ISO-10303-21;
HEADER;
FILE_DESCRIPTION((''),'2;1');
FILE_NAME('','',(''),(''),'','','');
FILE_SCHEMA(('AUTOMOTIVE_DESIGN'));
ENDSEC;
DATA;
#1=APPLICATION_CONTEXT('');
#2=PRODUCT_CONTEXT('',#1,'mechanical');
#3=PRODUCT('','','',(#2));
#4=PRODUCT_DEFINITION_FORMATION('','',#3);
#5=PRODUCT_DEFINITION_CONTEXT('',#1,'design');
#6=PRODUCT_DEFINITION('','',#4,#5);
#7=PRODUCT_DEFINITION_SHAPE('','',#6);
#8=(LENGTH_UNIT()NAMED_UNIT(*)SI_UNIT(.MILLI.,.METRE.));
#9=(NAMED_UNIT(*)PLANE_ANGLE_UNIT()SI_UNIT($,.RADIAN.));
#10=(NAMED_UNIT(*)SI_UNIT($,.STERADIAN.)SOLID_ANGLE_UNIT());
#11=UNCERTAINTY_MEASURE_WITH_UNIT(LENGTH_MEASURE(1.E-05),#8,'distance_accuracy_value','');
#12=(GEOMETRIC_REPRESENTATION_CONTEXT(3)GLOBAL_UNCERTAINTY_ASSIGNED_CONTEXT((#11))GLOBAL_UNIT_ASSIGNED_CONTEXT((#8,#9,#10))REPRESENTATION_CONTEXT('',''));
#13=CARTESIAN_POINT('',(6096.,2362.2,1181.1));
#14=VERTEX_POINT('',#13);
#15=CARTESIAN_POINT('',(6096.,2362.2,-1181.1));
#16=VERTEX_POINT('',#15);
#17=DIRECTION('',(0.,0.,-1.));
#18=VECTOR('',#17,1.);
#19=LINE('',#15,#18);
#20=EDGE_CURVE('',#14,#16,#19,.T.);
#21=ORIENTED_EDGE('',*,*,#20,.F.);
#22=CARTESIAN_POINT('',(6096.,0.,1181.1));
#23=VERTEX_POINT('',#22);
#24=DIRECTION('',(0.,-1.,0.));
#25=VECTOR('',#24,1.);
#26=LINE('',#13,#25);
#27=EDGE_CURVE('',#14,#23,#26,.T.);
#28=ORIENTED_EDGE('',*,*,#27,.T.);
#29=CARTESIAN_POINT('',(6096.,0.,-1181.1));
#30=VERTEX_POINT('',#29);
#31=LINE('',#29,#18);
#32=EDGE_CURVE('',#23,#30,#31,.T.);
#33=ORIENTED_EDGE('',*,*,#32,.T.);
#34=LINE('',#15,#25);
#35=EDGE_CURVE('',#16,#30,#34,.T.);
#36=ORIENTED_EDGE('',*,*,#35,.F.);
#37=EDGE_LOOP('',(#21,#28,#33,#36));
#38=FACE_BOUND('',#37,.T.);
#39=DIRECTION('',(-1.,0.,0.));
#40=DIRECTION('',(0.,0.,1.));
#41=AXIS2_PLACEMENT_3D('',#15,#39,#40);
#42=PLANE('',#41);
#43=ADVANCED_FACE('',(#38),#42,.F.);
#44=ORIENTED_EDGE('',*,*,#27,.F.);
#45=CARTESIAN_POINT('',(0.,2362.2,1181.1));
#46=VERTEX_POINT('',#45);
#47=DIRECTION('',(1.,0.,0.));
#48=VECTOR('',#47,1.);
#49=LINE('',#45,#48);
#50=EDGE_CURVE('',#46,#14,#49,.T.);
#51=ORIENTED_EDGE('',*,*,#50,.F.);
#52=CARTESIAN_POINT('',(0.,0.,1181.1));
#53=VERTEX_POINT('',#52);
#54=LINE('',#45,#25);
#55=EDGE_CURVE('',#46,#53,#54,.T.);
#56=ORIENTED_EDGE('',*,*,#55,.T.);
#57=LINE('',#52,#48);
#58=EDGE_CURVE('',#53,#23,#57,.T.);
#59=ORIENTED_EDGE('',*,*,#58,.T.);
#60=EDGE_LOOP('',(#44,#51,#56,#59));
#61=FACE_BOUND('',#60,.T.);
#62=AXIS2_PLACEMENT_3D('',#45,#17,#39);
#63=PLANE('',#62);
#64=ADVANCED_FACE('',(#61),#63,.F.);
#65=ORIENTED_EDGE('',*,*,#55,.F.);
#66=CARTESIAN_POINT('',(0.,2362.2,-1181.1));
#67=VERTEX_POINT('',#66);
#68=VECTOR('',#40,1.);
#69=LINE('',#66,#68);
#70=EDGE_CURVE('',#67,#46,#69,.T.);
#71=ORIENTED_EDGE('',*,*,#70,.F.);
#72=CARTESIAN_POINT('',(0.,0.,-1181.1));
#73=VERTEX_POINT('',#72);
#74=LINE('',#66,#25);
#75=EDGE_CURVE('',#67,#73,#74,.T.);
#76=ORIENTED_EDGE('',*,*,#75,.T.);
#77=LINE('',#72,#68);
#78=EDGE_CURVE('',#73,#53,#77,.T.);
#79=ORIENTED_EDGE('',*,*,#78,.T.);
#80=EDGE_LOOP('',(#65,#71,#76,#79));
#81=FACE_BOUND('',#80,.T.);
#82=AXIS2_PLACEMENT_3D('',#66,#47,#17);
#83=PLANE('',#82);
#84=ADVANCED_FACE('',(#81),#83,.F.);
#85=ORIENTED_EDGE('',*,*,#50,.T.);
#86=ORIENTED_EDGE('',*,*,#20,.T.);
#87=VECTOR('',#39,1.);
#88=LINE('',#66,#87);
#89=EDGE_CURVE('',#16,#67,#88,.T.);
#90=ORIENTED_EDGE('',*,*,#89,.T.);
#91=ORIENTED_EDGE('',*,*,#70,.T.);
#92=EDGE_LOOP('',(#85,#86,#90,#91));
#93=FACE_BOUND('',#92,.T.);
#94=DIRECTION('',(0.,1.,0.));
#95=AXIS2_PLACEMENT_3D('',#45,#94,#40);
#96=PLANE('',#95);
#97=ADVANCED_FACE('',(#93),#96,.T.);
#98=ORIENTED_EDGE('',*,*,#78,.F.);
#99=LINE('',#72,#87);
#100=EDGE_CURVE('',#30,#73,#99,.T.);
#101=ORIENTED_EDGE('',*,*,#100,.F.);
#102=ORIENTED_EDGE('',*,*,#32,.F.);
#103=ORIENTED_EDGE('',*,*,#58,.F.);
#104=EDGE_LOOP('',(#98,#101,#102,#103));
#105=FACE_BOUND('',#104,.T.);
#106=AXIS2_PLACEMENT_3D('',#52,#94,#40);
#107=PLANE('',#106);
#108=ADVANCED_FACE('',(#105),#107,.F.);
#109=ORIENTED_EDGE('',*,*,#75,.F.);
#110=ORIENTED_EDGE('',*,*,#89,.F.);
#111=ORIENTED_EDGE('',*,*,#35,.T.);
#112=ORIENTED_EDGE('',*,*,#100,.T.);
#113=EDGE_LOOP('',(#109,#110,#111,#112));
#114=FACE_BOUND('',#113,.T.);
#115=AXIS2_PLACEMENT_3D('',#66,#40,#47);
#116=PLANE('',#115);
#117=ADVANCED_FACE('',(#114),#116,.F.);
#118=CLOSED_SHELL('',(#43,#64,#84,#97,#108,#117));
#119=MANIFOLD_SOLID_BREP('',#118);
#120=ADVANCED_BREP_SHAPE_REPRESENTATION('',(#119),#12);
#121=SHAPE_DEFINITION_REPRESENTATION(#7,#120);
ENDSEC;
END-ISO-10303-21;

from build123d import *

# Parameters (mm, degrees)
SKETCH1_W      = 6096
SKETCH1_H      = 2362.2
EXTRUDE1_DEPTH = 2362.2


with BuildPart() as part:
    # Sketch1 → Extrude1 (new body)
    with BuildSketch(Plane(origin=(0, 0, 0), x_dir=(1, 0, 0), z_dir=(0, 1, 0))):
        with Locations((3048, 0)):
            Rectangle(SKETCH1_W, SKETCH1_H)
    extrude(amount=EXTRUDE1_DEPTH)


solid = part.part
